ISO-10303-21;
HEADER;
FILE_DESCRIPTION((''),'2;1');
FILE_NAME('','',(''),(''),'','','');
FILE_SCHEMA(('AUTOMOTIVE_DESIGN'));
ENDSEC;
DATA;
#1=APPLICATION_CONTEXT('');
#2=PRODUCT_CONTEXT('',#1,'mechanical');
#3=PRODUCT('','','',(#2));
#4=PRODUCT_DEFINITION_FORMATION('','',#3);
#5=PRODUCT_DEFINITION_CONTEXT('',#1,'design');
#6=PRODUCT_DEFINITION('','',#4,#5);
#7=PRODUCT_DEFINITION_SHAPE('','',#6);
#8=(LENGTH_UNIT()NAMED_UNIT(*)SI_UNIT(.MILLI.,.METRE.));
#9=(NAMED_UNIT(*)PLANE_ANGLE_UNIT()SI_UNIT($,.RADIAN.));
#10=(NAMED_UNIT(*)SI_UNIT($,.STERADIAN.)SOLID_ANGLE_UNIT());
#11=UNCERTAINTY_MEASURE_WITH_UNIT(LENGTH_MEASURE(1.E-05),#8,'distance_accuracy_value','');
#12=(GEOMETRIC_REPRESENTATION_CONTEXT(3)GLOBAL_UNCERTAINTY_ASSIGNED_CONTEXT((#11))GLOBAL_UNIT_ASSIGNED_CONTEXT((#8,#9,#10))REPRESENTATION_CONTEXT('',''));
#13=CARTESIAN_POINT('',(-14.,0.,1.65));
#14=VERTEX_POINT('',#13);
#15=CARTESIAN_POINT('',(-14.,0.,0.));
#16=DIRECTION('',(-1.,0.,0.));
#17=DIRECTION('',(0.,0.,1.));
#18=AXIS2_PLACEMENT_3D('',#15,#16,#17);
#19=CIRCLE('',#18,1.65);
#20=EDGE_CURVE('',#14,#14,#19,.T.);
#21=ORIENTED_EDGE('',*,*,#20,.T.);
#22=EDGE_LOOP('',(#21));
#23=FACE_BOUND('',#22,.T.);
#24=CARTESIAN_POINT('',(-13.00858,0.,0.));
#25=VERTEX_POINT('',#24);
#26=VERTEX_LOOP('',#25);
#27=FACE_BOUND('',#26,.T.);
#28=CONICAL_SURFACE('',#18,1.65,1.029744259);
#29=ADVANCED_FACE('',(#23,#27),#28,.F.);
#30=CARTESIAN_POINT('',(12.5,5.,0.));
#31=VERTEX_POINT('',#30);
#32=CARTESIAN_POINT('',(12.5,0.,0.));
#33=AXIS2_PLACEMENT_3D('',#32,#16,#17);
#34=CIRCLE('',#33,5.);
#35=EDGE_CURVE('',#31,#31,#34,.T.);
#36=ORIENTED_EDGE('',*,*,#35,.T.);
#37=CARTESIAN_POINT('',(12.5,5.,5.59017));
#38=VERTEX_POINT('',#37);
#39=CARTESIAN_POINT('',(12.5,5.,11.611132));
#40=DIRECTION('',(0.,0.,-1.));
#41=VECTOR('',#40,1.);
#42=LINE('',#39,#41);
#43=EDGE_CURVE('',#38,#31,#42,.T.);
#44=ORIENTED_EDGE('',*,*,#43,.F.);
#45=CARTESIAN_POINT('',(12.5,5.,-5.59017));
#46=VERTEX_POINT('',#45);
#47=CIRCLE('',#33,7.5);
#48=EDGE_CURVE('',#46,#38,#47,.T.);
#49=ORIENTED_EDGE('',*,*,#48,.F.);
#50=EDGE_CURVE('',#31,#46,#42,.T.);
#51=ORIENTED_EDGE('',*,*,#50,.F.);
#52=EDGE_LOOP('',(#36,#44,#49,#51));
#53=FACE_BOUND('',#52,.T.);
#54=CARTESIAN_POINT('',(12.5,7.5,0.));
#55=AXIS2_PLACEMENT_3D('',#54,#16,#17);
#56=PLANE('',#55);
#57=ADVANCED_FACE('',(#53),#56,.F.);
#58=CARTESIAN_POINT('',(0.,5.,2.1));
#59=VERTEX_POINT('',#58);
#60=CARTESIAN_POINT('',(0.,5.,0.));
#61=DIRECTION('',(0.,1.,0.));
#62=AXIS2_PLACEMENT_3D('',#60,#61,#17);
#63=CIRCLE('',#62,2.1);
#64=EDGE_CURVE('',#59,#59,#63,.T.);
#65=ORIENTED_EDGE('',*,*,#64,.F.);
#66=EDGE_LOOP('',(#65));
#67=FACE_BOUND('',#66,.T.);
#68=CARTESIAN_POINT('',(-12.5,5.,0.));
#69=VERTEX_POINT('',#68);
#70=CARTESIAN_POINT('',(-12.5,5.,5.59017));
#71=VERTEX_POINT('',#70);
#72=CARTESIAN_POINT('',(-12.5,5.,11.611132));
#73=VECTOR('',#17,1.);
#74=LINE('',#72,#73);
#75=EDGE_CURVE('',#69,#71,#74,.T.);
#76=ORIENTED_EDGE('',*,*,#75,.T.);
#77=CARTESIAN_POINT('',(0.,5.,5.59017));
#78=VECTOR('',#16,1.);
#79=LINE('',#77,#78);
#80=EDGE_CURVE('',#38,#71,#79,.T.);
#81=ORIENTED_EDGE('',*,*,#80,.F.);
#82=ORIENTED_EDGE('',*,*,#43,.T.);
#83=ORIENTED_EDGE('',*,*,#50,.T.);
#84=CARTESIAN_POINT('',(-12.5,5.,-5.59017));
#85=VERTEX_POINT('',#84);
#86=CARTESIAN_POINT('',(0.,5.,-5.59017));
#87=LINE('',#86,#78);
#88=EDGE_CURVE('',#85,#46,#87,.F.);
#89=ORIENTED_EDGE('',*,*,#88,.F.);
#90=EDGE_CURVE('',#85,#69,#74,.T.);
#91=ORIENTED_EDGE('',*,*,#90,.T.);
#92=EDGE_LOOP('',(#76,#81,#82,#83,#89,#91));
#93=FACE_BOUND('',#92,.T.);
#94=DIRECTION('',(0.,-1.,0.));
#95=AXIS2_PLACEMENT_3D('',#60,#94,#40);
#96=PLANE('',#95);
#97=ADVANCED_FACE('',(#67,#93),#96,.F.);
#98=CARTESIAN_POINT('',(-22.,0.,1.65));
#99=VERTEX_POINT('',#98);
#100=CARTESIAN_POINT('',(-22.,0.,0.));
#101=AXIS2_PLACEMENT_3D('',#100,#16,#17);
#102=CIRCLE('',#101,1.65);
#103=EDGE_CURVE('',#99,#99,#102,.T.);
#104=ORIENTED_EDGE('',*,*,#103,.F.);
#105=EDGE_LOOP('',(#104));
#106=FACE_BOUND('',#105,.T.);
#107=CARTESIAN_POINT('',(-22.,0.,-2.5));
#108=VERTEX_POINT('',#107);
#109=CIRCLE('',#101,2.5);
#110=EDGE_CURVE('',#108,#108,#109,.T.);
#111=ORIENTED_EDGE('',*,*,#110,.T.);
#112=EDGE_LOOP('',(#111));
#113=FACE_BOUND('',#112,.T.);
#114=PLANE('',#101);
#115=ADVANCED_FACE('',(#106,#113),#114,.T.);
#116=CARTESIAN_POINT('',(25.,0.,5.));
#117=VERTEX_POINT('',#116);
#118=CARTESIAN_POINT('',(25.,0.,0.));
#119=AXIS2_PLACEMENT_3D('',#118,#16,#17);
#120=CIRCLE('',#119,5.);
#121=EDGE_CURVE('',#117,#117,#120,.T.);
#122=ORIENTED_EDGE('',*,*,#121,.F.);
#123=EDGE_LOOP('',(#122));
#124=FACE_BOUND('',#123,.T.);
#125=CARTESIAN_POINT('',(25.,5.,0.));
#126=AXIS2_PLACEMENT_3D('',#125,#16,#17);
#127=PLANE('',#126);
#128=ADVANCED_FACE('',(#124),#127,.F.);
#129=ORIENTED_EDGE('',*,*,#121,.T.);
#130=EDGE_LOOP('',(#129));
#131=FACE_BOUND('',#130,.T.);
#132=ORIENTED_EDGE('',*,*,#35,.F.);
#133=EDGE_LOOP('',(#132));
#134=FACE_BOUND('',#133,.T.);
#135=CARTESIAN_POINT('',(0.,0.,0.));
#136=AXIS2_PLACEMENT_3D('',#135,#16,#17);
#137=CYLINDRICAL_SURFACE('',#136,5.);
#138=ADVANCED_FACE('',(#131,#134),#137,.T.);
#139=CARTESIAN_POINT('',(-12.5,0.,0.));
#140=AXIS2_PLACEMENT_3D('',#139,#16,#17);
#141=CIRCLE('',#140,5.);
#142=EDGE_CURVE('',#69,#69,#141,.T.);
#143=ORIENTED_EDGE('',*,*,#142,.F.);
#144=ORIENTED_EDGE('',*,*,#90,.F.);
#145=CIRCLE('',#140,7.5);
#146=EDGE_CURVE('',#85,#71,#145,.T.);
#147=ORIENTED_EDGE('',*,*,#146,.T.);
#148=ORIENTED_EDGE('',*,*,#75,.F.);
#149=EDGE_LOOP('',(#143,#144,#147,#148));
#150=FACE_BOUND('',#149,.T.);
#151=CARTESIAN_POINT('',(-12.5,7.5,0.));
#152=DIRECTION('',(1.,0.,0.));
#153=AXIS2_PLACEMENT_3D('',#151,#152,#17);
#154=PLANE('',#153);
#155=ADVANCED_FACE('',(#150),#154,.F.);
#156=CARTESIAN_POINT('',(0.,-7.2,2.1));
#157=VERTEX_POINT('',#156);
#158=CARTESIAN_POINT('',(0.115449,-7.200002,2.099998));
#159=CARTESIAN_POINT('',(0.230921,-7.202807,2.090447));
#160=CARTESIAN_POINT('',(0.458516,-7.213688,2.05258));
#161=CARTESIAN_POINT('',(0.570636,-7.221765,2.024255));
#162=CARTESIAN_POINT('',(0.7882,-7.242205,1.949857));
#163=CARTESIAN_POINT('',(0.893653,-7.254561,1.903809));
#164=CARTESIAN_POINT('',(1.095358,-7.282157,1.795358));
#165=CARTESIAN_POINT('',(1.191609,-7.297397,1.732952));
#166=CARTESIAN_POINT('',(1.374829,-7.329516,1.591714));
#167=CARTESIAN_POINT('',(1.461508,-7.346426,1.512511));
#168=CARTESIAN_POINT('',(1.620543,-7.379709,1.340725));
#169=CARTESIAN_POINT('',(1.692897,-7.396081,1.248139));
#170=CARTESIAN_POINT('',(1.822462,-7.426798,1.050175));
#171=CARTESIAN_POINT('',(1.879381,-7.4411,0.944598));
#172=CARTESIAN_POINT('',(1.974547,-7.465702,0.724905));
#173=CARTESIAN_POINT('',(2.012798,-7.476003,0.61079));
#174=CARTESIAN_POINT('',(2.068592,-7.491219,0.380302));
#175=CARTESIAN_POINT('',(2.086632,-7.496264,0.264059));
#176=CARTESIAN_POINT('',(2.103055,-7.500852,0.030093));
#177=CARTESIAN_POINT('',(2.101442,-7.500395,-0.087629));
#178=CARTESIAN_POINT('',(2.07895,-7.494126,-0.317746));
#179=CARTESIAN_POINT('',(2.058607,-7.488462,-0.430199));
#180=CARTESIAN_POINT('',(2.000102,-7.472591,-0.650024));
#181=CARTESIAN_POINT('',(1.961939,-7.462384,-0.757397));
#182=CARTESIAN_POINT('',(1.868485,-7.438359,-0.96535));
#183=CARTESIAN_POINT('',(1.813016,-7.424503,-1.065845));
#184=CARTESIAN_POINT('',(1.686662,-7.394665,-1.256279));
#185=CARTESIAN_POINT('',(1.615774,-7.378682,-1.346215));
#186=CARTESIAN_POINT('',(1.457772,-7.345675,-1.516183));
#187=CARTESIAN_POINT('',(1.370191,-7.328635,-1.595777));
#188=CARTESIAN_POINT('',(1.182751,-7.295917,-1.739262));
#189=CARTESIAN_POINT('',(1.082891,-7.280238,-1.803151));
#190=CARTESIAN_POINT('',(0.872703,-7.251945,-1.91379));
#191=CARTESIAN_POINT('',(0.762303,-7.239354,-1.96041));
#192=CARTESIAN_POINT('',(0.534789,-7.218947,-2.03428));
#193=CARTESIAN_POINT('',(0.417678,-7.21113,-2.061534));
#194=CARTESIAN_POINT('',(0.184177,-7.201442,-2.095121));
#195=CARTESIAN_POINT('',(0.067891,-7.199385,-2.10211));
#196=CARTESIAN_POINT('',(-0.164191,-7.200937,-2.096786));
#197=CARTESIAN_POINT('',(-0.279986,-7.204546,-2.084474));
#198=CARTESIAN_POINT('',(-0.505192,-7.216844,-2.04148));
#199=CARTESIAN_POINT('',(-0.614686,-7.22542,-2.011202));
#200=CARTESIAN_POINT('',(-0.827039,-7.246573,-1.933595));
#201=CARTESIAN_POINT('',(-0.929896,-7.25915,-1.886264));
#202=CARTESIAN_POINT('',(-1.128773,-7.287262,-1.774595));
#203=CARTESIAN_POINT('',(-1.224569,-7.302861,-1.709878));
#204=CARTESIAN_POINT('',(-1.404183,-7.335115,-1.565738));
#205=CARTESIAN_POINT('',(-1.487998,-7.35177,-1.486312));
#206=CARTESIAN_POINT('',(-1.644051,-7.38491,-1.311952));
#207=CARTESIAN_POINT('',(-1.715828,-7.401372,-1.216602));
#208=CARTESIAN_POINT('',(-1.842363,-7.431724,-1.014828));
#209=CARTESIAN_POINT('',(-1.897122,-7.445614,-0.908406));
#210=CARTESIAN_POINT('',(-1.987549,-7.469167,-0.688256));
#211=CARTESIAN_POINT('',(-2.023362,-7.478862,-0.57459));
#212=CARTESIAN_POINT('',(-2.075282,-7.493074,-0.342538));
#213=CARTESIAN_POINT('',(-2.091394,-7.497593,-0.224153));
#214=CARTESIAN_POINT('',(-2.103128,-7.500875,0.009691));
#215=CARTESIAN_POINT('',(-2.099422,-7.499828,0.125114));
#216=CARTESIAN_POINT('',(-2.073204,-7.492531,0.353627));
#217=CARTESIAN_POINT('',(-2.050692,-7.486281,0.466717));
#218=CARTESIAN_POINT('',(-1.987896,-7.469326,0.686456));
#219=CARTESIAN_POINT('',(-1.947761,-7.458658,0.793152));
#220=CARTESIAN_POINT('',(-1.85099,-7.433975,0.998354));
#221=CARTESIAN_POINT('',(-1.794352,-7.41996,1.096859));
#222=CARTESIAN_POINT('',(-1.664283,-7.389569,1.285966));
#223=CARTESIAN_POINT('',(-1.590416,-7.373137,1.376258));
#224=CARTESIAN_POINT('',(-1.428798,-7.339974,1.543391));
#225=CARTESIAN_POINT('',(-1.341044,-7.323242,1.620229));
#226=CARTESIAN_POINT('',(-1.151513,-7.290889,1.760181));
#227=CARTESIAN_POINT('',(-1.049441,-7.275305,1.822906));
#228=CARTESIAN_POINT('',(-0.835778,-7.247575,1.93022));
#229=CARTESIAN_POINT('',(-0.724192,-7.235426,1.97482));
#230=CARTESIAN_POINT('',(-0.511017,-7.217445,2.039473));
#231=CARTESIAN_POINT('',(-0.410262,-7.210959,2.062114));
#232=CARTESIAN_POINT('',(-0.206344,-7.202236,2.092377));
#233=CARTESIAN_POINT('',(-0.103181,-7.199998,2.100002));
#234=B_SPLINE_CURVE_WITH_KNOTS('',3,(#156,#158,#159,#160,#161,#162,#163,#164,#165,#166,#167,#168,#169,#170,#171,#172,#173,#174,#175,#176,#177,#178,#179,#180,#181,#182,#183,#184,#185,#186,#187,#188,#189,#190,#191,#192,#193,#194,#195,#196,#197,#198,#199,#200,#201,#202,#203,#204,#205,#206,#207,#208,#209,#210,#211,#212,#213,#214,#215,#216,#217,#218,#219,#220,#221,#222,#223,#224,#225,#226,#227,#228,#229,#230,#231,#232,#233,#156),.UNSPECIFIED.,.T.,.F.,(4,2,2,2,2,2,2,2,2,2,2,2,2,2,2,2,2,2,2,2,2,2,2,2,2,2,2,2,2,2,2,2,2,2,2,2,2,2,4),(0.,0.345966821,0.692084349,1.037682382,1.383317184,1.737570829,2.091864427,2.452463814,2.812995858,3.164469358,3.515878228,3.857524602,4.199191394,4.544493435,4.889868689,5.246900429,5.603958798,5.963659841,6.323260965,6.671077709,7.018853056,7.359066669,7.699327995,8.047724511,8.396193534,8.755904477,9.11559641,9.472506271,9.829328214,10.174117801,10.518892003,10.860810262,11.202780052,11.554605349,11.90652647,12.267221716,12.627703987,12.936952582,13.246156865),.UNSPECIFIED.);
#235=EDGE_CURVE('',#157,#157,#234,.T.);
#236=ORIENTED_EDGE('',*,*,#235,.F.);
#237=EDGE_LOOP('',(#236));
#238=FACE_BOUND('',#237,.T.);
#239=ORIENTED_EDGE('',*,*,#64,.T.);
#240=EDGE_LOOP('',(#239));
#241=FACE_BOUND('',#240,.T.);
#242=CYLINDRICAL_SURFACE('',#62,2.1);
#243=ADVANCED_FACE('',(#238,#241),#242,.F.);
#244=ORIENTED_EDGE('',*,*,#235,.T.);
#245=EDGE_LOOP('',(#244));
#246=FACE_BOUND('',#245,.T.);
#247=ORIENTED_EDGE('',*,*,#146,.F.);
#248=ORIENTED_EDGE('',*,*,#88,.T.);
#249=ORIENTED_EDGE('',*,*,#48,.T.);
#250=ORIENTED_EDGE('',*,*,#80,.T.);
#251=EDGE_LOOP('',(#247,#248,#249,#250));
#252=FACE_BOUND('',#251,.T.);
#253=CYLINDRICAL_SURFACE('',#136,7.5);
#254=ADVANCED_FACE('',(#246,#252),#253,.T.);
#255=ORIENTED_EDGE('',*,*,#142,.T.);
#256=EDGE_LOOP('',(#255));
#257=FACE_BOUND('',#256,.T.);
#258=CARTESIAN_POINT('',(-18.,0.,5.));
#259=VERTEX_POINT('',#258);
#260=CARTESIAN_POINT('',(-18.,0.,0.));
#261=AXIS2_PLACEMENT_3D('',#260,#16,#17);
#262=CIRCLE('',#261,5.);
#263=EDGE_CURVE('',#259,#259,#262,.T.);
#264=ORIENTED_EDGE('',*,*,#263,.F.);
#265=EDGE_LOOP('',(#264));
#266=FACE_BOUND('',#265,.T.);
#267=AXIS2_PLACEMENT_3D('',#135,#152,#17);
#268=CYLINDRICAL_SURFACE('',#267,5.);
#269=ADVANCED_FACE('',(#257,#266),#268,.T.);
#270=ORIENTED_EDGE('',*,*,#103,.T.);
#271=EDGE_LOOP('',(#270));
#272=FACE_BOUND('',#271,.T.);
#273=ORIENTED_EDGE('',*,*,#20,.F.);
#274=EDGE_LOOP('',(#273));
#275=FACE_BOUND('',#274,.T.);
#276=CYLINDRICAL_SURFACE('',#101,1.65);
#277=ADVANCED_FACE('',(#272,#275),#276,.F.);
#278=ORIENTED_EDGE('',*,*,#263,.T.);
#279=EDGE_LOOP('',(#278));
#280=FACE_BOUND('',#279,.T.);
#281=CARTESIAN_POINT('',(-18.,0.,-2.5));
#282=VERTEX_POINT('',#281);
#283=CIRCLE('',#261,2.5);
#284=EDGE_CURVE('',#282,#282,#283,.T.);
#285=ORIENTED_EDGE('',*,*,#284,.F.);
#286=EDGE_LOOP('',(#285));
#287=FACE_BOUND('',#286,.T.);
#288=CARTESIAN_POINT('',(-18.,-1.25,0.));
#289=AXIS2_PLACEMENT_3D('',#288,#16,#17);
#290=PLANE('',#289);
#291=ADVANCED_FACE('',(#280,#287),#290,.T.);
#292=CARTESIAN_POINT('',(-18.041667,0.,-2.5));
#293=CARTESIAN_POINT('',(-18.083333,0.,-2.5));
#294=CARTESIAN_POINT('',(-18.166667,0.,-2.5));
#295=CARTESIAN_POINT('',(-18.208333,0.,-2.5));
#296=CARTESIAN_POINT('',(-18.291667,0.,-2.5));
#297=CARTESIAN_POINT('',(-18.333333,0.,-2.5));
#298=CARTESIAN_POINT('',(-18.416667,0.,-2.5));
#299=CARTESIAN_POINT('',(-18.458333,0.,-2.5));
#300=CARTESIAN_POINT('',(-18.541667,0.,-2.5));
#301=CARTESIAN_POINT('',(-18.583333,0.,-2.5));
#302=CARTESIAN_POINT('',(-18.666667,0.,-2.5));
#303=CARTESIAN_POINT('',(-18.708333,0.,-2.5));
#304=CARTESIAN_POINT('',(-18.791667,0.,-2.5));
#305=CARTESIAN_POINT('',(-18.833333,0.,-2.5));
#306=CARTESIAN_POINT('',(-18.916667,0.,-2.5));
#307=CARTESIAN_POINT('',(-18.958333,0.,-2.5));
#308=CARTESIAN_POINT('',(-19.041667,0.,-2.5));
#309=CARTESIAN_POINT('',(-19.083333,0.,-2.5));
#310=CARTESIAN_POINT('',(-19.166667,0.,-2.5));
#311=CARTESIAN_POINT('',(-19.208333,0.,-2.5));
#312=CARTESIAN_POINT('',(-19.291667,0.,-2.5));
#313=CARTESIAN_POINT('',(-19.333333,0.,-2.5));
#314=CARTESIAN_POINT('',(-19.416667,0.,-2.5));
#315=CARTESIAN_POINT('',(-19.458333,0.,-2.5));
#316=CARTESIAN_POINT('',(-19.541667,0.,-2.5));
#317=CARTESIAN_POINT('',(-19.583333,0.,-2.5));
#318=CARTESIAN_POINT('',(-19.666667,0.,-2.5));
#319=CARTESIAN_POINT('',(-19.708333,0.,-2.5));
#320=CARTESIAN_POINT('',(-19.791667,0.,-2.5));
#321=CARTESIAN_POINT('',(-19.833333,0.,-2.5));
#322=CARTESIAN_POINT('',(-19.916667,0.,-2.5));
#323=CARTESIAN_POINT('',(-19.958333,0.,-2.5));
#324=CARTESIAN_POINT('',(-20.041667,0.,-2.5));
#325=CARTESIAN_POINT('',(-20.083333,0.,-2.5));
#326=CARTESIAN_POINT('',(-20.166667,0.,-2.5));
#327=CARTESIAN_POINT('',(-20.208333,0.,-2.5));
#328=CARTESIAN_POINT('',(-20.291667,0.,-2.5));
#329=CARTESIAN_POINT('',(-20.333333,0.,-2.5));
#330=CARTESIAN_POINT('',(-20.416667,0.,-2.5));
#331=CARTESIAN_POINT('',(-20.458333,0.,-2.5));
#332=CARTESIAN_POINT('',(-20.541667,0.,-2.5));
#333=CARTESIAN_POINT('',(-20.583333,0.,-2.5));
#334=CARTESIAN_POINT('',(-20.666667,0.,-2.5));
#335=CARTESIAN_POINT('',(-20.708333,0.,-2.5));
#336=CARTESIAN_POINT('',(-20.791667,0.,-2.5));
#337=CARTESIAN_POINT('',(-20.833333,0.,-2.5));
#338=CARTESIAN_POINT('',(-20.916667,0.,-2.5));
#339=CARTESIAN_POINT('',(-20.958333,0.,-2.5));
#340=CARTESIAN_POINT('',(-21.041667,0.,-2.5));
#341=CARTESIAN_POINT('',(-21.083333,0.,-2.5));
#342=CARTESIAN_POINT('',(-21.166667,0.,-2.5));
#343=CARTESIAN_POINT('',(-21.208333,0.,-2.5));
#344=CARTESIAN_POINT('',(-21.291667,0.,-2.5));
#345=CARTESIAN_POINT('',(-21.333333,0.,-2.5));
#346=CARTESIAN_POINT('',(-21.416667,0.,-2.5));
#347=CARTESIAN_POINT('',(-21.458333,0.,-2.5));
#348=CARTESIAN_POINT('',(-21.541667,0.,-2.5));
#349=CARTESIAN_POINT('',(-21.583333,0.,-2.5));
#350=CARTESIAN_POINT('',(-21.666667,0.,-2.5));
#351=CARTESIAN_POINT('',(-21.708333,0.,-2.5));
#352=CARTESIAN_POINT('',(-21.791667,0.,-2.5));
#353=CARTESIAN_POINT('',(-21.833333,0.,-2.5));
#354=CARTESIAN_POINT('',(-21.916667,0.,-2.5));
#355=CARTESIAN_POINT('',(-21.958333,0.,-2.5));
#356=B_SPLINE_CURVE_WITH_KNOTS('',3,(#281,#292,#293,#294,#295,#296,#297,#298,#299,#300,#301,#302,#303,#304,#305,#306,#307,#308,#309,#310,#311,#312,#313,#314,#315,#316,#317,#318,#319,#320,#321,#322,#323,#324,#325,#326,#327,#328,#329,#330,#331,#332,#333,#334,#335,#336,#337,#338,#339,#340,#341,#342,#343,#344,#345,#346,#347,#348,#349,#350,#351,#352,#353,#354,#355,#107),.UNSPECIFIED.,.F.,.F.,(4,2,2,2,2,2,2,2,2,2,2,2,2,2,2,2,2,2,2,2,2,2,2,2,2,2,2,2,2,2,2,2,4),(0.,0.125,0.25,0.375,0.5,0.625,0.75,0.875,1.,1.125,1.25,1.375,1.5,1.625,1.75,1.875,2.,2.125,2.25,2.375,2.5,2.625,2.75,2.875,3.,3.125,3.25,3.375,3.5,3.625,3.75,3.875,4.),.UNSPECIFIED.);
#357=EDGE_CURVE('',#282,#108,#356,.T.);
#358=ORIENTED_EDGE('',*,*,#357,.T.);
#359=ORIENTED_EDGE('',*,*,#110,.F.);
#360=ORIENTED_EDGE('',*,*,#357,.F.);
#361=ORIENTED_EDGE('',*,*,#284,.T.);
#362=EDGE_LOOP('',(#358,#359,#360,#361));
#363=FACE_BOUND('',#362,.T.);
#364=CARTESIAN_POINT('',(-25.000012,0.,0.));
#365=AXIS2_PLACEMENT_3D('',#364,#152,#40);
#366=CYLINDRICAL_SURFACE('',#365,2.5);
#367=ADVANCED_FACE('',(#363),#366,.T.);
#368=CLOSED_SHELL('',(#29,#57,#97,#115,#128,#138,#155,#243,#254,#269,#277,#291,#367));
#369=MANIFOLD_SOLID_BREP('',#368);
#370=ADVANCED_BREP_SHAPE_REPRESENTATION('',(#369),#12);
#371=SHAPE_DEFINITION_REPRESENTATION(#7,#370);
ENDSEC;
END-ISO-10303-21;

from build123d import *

# Parameters (mm, degrees)
CUT_EXTRUDE_START        = 5
SKETCH_2_W               = 25
SKETCH_2_H               = 23.22226429
CUT_EXTRUDE_1_DEPTH      = 23.156951228
HOLE_WIZARD_M5_1_D       = 4.2
CUT_EXTRUDE_2_DEPTH      = 52.11262078
CUT_EXTRUDE_2_DEPTH_BACK = 7
SKETCH_6_OUTSIDE_W       = 27.736
SKETCH_6_OUTSIDE_H       = 25.236
SKETCH_6_OUTSIDE_R       = 2.5
CUT_EXTRUDE_START_2      = -3
SKETCH_7_R               = 2.5
CUT_EXTRUDE_3_DEPTH      = 3
HOLE_WIZARD_M4_1_D       = 3.3
HOLE_WIZARD_M4_1_DEPTH   = 8
HOLE_WIZARD_M4_1_TIP     = 0.991420021


with BuildPart() as part:
    # 草图1 → 旋转1 (revolve)
    with BuildSketch(Plane.XY, mode=Mode.PRIVATE) as revolve_1_sk:
        Polygon((0, 7.5), (12.5, 7.5), (12.5, 5), (25, 5), (25, 0), (0, 0), align=None)
    revolve_1 = revolve(revolve_1_sk.sketch.rotate(Axis((0, 0, 0), (1, 0, 0)), 90), axis=Axis((0, 0, 0), (1, 0, 0)))

    # 镜向1: 旋转1 across plane
    add(revolve_1.mirror(Plane(origin=(0, 0, 0), x_dir=(0, 0, 1), z_dir=(1, 0, 0))))

    # 草图2 → 切除-拉伸1 (cut, through all)
    with BuildSketch(Plane(origin=(0, 0, 0), x_dir=(1, 0, 0), z_dir=(0, 1, 0)).offset(CUT_EXTRUDE_START)):
        Rectangle(SKETCH_2_W, SKETCH_2_H)
    extrude(amount=CUT_EXTRUDE_1_DEPTH, mode=Mode.SUBTRACT)

    # M5 螺纹孔的螺纹孔钻头1 (through all)
    with Locations(Plane(origin=(0, 5, 0), x_dir=(1, 0, 0), z_dir=(0, 1, 0))):
        with Locations((0, 0)):
            Hole(HOLE_WIZARD_M5_1_D / 2)

    # 草图6 outside → 切除-拉伸2 (cut, two sides: drawn at the far end of the back side and taken through both)
    with BuildSketch(Plane.ZY.offset(25).offset(-CUT_EXTRUDE_2_DEPTH_BACK)):
        with Locations((0, -1.25)):
            Rectangle(SKETCH_6_OUTSIDE_W, SKETCH_6_OUTSIDE_H)
        with Locations(Location((0, 0, 0), (0, 0, 180))):
            Circle(SKETCH_6_OUTSIDE_R, mode=Mode.SUBTRACT)
    extrude(amount=CUT_EXTRUDE_2_DEPTH + CUT_EXTRUDE_2_DEPTH_BACK, mode=Mode.SUBTRACT)

    # 草图7 → 切除-拉伸3 (cut)
    with BuildSketch(Plane.ZY.offset(25).offset(CUT_EXTRUDE_START_2)):
        with Locations(Location((0, 0, 0), (0, 0, 180))):
            Circle(SKETCH_7_R)
    extrude(amount=CUT_EXTRUDE_3_DEPTH, mode=Mode.SUBTRACT)

    # M4 螺纹孔的螺纹孔钻头1
    with Locations(Plane.ZY.offset(22)):
        with Locations((0, 0)):
            Hole(HOLE_WIZARD_M4_1_D / 2, depth=HOLE_WIZARD_M4_1_DEPTH)
            with Locations((0, 0, -(HOLE_WIZARD_M4_1_DEPTH + HOLE_WIZARD_M4_1_TIP / 2))):  # 118° drill point
                Cone(0, HOLE_WIZARD_M4_1_D / 2, HOLE_WIZARD_M4_1_TIP, mode=Mode.SUBTRACT)


solid = part.part
